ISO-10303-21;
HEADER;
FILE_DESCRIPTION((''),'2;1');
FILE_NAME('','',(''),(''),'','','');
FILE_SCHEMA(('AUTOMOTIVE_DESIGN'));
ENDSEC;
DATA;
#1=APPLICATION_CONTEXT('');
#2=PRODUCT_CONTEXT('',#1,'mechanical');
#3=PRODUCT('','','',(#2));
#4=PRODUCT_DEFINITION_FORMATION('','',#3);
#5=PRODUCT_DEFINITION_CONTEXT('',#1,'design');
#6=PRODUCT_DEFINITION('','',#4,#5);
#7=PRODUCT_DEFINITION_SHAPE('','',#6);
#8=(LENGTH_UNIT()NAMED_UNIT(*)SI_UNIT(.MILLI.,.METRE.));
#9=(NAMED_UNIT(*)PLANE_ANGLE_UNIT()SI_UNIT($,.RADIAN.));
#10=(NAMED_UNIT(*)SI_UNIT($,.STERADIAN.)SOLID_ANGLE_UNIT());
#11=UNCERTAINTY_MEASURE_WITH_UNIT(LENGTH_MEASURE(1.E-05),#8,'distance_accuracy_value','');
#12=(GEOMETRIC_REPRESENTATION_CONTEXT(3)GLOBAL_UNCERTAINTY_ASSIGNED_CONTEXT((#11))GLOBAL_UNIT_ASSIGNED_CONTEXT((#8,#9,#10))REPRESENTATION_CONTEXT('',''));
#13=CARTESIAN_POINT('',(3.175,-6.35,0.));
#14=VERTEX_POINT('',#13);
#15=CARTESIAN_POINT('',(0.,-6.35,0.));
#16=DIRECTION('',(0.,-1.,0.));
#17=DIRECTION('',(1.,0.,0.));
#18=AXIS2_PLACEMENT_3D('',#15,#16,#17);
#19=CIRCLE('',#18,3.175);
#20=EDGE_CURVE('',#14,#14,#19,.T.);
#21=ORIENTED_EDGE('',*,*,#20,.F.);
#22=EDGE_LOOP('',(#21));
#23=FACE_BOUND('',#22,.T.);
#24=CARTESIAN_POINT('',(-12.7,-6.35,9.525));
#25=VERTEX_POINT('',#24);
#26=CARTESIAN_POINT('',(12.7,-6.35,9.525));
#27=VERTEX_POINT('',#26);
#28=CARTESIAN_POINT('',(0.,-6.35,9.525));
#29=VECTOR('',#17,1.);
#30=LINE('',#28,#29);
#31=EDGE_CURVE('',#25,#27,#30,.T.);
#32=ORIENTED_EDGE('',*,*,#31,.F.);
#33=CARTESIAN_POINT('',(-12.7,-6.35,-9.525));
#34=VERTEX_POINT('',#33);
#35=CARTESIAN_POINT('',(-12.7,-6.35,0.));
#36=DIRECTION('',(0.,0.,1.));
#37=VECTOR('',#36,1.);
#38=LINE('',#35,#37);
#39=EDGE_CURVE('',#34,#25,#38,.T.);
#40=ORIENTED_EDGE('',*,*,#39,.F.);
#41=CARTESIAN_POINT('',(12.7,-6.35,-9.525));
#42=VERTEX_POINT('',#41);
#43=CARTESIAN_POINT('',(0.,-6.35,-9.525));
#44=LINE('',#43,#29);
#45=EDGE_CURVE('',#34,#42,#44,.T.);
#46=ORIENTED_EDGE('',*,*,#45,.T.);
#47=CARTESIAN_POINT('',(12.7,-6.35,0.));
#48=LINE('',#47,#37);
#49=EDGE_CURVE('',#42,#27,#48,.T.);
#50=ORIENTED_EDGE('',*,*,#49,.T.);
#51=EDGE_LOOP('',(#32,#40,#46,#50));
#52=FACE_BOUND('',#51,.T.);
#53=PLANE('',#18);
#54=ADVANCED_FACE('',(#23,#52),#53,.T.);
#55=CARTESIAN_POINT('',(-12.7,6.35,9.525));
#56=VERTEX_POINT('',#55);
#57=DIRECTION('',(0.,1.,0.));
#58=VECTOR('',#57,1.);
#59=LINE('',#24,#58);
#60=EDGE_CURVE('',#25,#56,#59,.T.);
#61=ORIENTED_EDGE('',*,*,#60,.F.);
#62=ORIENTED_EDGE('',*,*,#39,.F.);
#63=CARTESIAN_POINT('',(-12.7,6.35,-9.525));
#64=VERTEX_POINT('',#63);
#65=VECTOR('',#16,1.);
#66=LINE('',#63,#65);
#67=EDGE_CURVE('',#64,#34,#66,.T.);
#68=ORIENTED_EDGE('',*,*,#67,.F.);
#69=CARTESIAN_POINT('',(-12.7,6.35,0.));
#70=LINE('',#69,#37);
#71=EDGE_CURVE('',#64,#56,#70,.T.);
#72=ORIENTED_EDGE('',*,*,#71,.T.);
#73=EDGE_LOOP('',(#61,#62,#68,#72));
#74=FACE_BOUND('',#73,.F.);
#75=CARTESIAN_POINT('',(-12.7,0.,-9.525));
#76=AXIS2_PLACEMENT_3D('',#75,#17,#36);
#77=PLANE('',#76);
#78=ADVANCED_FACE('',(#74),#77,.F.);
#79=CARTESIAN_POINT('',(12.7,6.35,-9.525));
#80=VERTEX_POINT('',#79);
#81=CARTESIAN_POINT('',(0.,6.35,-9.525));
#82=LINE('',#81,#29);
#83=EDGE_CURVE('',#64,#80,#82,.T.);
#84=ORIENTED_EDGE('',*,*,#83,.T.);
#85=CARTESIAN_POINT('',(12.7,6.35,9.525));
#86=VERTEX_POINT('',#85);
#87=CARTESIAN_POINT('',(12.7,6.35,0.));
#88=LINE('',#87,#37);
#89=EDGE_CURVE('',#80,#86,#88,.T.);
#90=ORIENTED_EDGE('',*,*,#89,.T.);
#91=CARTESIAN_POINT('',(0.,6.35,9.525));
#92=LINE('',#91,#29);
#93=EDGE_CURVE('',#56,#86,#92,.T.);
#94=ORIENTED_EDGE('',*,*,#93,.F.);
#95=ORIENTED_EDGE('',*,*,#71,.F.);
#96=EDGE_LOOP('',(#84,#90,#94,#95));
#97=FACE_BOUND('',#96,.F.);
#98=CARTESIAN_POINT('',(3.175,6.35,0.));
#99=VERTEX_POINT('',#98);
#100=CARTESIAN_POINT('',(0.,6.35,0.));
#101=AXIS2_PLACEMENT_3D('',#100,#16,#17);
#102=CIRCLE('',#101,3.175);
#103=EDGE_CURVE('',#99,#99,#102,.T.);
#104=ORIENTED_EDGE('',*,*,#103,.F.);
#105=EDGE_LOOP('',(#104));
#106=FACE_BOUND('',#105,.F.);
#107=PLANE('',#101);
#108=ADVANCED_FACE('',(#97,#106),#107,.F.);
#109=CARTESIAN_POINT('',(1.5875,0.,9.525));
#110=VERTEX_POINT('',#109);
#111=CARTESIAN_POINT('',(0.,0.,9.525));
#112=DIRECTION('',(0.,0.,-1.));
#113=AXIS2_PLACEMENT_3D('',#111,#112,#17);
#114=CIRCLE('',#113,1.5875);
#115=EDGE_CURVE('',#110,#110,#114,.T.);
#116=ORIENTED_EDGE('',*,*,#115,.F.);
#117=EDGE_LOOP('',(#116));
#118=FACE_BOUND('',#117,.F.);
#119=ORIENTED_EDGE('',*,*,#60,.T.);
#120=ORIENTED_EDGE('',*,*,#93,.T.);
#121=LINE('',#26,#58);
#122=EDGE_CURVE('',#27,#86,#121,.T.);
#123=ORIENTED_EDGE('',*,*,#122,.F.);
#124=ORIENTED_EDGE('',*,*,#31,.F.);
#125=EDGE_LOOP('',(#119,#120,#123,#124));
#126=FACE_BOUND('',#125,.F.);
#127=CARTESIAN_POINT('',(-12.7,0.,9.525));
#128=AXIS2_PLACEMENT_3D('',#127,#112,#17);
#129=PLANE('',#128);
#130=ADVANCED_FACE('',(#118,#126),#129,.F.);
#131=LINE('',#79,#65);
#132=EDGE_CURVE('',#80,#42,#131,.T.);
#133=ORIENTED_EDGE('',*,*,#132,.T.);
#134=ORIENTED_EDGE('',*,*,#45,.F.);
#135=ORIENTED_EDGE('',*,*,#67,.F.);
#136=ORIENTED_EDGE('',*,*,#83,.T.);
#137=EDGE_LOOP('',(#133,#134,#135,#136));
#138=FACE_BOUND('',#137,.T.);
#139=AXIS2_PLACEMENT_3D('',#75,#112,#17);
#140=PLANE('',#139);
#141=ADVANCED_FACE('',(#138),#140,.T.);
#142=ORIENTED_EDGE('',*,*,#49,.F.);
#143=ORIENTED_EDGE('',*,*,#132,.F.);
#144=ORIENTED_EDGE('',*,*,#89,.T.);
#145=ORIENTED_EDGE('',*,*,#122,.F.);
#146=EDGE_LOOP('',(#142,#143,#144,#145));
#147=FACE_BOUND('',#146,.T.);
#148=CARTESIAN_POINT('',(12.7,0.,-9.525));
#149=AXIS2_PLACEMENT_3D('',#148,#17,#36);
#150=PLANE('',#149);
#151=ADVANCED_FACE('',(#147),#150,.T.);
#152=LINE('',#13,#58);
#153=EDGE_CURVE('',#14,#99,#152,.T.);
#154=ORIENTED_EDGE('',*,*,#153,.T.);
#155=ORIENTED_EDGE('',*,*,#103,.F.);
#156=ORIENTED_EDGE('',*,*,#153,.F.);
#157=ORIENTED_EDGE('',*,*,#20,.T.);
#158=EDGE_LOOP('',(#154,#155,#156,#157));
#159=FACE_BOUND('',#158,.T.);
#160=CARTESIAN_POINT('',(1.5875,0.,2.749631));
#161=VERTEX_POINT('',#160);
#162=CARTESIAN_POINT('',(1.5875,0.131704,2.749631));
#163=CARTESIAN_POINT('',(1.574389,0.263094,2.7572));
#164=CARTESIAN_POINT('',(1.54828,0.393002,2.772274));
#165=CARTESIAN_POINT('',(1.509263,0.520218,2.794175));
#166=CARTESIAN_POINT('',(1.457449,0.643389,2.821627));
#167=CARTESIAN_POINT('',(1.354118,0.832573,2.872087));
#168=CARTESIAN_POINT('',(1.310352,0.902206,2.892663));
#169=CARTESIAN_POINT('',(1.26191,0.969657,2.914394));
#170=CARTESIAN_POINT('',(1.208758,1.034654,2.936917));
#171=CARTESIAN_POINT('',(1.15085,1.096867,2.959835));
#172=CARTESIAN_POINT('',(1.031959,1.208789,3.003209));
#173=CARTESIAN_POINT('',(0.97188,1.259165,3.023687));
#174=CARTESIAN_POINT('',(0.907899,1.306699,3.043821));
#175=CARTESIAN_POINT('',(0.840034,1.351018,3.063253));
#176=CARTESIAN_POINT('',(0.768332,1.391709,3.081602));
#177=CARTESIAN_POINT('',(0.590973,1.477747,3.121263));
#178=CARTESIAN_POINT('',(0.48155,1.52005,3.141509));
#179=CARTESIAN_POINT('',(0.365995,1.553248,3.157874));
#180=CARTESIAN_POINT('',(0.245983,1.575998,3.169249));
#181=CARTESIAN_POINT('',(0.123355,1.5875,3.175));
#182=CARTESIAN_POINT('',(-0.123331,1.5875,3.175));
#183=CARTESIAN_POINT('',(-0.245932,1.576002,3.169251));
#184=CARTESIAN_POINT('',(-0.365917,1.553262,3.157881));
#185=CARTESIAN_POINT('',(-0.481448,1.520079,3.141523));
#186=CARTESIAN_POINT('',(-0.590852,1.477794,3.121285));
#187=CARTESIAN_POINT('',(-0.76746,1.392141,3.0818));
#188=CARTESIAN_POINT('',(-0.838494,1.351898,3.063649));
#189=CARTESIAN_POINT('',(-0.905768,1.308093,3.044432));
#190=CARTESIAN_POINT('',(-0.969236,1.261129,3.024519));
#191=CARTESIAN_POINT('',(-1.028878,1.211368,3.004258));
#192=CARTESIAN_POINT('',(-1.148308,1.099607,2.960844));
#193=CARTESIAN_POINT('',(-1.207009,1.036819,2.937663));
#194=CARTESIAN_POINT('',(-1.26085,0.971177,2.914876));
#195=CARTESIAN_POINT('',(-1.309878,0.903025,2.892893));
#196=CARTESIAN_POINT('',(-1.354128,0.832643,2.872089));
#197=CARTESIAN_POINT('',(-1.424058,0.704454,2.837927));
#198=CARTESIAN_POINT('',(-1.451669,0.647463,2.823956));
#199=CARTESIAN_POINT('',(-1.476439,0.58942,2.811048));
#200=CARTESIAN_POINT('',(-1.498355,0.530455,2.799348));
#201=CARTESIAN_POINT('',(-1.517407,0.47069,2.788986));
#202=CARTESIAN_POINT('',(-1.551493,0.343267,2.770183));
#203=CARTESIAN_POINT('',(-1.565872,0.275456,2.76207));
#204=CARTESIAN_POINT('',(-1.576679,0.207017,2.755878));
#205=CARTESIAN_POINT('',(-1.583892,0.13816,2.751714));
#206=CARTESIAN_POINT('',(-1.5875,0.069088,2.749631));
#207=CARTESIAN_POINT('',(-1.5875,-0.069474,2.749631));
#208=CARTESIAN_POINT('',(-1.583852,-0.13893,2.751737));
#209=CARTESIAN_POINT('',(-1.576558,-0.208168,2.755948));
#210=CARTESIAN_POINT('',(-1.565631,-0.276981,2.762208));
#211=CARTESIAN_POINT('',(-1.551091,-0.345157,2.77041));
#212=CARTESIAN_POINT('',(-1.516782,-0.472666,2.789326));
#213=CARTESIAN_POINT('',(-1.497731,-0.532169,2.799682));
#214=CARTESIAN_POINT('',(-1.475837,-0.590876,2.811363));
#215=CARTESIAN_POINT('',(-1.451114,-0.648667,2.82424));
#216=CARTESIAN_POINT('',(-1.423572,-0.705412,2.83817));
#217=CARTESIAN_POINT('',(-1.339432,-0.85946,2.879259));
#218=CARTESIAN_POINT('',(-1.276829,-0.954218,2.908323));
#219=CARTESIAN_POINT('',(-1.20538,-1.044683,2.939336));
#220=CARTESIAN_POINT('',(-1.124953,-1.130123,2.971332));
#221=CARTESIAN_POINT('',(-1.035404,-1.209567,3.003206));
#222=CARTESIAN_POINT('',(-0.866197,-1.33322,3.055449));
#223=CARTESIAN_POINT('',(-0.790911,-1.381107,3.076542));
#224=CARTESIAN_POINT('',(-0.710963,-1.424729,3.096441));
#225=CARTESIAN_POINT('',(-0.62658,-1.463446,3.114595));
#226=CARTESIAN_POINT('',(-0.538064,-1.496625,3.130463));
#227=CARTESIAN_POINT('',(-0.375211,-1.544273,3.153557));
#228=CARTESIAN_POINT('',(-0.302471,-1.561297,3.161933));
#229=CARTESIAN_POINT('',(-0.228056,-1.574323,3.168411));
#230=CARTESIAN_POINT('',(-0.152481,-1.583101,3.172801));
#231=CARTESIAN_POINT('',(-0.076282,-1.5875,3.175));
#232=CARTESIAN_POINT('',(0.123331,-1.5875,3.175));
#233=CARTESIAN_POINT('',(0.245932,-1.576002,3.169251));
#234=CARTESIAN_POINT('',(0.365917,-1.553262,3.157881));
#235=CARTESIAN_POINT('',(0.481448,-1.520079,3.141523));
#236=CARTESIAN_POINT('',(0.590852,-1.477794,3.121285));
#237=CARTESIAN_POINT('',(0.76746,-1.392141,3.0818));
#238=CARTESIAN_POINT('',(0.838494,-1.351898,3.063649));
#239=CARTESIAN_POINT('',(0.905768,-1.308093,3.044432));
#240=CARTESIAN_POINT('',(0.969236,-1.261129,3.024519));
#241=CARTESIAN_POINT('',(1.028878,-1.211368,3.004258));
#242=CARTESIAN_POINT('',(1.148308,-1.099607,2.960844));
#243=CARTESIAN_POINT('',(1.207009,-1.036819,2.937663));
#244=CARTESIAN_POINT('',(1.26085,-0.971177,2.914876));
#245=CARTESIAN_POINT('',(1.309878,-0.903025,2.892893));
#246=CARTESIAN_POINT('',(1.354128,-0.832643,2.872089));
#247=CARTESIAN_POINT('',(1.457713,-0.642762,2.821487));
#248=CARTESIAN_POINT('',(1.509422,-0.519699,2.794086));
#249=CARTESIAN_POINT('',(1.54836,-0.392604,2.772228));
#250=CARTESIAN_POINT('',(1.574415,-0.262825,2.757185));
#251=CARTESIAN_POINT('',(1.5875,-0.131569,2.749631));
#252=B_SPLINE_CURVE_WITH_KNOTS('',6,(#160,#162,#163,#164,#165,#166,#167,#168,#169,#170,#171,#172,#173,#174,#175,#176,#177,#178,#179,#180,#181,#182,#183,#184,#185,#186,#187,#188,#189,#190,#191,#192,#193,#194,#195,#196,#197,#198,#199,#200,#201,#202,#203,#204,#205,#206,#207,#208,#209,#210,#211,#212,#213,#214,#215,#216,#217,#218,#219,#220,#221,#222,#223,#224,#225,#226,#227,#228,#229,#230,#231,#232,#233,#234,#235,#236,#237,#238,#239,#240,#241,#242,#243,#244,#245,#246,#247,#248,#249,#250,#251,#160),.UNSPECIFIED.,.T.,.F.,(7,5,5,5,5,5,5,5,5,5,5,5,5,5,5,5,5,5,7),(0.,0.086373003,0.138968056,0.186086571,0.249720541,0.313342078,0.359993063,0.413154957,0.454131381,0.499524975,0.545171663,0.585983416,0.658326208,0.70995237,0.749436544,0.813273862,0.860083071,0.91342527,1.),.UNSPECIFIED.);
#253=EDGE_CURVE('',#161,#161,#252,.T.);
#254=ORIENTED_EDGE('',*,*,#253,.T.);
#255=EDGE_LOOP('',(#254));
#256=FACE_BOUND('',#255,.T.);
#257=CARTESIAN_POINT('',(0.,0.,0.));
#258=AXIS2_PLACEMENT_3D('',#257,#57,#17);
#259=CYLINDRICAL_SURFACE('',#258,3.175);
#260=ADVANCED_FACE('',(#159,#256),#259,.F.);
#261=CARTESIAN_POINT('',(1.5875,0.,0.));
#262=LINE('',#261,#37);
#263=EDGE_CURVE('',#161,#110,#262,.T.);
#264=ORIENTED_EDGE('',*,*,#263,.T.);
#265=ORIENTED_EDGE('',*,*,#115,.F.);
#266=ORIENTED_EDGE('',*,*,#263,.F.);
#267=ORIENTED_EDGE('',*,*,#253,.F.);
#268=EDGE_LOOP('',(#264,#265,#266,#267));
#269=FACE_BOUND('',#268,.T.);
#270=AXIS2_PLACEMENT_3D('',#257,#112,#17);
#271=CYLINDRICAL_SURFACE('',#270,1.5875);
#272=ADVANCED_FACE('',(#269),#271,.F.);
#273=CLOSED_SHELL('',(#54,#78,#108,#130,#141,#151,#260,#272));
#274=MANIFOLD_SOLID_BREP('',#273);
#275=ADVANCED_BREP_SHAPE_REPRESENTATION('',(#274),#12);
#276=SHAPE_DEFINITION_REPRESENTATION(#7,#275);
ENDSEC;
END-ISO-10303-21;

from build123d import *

# Parameters (mm, degrees)
F0_W     = 25.4
F0_H     = 19.05
F0_R     = 3.175
F1_DEPTH = 6.35
F2_R     = 1.5875
F3_DEPTH = 25.4


with BuildPart() as f1:
    # F0 (on Front) → F1 (new body, symmetric)
    with BuildSketch(Plane.XZ):
        Rectangle(F0_W, F0_H)
        Circle(F0_R, mode=Mode.SUBTRACT)
    extrude(amount=F1_DEPTH, both=True)

    # F2 (on Top) → F3 (cut)
    with BuildSketch(Plane.XY):
        Circle(F2_R)
    extrude(amount=F3_DEPTH, mode=Mode.SUBTRACT)


solid = f1.part
